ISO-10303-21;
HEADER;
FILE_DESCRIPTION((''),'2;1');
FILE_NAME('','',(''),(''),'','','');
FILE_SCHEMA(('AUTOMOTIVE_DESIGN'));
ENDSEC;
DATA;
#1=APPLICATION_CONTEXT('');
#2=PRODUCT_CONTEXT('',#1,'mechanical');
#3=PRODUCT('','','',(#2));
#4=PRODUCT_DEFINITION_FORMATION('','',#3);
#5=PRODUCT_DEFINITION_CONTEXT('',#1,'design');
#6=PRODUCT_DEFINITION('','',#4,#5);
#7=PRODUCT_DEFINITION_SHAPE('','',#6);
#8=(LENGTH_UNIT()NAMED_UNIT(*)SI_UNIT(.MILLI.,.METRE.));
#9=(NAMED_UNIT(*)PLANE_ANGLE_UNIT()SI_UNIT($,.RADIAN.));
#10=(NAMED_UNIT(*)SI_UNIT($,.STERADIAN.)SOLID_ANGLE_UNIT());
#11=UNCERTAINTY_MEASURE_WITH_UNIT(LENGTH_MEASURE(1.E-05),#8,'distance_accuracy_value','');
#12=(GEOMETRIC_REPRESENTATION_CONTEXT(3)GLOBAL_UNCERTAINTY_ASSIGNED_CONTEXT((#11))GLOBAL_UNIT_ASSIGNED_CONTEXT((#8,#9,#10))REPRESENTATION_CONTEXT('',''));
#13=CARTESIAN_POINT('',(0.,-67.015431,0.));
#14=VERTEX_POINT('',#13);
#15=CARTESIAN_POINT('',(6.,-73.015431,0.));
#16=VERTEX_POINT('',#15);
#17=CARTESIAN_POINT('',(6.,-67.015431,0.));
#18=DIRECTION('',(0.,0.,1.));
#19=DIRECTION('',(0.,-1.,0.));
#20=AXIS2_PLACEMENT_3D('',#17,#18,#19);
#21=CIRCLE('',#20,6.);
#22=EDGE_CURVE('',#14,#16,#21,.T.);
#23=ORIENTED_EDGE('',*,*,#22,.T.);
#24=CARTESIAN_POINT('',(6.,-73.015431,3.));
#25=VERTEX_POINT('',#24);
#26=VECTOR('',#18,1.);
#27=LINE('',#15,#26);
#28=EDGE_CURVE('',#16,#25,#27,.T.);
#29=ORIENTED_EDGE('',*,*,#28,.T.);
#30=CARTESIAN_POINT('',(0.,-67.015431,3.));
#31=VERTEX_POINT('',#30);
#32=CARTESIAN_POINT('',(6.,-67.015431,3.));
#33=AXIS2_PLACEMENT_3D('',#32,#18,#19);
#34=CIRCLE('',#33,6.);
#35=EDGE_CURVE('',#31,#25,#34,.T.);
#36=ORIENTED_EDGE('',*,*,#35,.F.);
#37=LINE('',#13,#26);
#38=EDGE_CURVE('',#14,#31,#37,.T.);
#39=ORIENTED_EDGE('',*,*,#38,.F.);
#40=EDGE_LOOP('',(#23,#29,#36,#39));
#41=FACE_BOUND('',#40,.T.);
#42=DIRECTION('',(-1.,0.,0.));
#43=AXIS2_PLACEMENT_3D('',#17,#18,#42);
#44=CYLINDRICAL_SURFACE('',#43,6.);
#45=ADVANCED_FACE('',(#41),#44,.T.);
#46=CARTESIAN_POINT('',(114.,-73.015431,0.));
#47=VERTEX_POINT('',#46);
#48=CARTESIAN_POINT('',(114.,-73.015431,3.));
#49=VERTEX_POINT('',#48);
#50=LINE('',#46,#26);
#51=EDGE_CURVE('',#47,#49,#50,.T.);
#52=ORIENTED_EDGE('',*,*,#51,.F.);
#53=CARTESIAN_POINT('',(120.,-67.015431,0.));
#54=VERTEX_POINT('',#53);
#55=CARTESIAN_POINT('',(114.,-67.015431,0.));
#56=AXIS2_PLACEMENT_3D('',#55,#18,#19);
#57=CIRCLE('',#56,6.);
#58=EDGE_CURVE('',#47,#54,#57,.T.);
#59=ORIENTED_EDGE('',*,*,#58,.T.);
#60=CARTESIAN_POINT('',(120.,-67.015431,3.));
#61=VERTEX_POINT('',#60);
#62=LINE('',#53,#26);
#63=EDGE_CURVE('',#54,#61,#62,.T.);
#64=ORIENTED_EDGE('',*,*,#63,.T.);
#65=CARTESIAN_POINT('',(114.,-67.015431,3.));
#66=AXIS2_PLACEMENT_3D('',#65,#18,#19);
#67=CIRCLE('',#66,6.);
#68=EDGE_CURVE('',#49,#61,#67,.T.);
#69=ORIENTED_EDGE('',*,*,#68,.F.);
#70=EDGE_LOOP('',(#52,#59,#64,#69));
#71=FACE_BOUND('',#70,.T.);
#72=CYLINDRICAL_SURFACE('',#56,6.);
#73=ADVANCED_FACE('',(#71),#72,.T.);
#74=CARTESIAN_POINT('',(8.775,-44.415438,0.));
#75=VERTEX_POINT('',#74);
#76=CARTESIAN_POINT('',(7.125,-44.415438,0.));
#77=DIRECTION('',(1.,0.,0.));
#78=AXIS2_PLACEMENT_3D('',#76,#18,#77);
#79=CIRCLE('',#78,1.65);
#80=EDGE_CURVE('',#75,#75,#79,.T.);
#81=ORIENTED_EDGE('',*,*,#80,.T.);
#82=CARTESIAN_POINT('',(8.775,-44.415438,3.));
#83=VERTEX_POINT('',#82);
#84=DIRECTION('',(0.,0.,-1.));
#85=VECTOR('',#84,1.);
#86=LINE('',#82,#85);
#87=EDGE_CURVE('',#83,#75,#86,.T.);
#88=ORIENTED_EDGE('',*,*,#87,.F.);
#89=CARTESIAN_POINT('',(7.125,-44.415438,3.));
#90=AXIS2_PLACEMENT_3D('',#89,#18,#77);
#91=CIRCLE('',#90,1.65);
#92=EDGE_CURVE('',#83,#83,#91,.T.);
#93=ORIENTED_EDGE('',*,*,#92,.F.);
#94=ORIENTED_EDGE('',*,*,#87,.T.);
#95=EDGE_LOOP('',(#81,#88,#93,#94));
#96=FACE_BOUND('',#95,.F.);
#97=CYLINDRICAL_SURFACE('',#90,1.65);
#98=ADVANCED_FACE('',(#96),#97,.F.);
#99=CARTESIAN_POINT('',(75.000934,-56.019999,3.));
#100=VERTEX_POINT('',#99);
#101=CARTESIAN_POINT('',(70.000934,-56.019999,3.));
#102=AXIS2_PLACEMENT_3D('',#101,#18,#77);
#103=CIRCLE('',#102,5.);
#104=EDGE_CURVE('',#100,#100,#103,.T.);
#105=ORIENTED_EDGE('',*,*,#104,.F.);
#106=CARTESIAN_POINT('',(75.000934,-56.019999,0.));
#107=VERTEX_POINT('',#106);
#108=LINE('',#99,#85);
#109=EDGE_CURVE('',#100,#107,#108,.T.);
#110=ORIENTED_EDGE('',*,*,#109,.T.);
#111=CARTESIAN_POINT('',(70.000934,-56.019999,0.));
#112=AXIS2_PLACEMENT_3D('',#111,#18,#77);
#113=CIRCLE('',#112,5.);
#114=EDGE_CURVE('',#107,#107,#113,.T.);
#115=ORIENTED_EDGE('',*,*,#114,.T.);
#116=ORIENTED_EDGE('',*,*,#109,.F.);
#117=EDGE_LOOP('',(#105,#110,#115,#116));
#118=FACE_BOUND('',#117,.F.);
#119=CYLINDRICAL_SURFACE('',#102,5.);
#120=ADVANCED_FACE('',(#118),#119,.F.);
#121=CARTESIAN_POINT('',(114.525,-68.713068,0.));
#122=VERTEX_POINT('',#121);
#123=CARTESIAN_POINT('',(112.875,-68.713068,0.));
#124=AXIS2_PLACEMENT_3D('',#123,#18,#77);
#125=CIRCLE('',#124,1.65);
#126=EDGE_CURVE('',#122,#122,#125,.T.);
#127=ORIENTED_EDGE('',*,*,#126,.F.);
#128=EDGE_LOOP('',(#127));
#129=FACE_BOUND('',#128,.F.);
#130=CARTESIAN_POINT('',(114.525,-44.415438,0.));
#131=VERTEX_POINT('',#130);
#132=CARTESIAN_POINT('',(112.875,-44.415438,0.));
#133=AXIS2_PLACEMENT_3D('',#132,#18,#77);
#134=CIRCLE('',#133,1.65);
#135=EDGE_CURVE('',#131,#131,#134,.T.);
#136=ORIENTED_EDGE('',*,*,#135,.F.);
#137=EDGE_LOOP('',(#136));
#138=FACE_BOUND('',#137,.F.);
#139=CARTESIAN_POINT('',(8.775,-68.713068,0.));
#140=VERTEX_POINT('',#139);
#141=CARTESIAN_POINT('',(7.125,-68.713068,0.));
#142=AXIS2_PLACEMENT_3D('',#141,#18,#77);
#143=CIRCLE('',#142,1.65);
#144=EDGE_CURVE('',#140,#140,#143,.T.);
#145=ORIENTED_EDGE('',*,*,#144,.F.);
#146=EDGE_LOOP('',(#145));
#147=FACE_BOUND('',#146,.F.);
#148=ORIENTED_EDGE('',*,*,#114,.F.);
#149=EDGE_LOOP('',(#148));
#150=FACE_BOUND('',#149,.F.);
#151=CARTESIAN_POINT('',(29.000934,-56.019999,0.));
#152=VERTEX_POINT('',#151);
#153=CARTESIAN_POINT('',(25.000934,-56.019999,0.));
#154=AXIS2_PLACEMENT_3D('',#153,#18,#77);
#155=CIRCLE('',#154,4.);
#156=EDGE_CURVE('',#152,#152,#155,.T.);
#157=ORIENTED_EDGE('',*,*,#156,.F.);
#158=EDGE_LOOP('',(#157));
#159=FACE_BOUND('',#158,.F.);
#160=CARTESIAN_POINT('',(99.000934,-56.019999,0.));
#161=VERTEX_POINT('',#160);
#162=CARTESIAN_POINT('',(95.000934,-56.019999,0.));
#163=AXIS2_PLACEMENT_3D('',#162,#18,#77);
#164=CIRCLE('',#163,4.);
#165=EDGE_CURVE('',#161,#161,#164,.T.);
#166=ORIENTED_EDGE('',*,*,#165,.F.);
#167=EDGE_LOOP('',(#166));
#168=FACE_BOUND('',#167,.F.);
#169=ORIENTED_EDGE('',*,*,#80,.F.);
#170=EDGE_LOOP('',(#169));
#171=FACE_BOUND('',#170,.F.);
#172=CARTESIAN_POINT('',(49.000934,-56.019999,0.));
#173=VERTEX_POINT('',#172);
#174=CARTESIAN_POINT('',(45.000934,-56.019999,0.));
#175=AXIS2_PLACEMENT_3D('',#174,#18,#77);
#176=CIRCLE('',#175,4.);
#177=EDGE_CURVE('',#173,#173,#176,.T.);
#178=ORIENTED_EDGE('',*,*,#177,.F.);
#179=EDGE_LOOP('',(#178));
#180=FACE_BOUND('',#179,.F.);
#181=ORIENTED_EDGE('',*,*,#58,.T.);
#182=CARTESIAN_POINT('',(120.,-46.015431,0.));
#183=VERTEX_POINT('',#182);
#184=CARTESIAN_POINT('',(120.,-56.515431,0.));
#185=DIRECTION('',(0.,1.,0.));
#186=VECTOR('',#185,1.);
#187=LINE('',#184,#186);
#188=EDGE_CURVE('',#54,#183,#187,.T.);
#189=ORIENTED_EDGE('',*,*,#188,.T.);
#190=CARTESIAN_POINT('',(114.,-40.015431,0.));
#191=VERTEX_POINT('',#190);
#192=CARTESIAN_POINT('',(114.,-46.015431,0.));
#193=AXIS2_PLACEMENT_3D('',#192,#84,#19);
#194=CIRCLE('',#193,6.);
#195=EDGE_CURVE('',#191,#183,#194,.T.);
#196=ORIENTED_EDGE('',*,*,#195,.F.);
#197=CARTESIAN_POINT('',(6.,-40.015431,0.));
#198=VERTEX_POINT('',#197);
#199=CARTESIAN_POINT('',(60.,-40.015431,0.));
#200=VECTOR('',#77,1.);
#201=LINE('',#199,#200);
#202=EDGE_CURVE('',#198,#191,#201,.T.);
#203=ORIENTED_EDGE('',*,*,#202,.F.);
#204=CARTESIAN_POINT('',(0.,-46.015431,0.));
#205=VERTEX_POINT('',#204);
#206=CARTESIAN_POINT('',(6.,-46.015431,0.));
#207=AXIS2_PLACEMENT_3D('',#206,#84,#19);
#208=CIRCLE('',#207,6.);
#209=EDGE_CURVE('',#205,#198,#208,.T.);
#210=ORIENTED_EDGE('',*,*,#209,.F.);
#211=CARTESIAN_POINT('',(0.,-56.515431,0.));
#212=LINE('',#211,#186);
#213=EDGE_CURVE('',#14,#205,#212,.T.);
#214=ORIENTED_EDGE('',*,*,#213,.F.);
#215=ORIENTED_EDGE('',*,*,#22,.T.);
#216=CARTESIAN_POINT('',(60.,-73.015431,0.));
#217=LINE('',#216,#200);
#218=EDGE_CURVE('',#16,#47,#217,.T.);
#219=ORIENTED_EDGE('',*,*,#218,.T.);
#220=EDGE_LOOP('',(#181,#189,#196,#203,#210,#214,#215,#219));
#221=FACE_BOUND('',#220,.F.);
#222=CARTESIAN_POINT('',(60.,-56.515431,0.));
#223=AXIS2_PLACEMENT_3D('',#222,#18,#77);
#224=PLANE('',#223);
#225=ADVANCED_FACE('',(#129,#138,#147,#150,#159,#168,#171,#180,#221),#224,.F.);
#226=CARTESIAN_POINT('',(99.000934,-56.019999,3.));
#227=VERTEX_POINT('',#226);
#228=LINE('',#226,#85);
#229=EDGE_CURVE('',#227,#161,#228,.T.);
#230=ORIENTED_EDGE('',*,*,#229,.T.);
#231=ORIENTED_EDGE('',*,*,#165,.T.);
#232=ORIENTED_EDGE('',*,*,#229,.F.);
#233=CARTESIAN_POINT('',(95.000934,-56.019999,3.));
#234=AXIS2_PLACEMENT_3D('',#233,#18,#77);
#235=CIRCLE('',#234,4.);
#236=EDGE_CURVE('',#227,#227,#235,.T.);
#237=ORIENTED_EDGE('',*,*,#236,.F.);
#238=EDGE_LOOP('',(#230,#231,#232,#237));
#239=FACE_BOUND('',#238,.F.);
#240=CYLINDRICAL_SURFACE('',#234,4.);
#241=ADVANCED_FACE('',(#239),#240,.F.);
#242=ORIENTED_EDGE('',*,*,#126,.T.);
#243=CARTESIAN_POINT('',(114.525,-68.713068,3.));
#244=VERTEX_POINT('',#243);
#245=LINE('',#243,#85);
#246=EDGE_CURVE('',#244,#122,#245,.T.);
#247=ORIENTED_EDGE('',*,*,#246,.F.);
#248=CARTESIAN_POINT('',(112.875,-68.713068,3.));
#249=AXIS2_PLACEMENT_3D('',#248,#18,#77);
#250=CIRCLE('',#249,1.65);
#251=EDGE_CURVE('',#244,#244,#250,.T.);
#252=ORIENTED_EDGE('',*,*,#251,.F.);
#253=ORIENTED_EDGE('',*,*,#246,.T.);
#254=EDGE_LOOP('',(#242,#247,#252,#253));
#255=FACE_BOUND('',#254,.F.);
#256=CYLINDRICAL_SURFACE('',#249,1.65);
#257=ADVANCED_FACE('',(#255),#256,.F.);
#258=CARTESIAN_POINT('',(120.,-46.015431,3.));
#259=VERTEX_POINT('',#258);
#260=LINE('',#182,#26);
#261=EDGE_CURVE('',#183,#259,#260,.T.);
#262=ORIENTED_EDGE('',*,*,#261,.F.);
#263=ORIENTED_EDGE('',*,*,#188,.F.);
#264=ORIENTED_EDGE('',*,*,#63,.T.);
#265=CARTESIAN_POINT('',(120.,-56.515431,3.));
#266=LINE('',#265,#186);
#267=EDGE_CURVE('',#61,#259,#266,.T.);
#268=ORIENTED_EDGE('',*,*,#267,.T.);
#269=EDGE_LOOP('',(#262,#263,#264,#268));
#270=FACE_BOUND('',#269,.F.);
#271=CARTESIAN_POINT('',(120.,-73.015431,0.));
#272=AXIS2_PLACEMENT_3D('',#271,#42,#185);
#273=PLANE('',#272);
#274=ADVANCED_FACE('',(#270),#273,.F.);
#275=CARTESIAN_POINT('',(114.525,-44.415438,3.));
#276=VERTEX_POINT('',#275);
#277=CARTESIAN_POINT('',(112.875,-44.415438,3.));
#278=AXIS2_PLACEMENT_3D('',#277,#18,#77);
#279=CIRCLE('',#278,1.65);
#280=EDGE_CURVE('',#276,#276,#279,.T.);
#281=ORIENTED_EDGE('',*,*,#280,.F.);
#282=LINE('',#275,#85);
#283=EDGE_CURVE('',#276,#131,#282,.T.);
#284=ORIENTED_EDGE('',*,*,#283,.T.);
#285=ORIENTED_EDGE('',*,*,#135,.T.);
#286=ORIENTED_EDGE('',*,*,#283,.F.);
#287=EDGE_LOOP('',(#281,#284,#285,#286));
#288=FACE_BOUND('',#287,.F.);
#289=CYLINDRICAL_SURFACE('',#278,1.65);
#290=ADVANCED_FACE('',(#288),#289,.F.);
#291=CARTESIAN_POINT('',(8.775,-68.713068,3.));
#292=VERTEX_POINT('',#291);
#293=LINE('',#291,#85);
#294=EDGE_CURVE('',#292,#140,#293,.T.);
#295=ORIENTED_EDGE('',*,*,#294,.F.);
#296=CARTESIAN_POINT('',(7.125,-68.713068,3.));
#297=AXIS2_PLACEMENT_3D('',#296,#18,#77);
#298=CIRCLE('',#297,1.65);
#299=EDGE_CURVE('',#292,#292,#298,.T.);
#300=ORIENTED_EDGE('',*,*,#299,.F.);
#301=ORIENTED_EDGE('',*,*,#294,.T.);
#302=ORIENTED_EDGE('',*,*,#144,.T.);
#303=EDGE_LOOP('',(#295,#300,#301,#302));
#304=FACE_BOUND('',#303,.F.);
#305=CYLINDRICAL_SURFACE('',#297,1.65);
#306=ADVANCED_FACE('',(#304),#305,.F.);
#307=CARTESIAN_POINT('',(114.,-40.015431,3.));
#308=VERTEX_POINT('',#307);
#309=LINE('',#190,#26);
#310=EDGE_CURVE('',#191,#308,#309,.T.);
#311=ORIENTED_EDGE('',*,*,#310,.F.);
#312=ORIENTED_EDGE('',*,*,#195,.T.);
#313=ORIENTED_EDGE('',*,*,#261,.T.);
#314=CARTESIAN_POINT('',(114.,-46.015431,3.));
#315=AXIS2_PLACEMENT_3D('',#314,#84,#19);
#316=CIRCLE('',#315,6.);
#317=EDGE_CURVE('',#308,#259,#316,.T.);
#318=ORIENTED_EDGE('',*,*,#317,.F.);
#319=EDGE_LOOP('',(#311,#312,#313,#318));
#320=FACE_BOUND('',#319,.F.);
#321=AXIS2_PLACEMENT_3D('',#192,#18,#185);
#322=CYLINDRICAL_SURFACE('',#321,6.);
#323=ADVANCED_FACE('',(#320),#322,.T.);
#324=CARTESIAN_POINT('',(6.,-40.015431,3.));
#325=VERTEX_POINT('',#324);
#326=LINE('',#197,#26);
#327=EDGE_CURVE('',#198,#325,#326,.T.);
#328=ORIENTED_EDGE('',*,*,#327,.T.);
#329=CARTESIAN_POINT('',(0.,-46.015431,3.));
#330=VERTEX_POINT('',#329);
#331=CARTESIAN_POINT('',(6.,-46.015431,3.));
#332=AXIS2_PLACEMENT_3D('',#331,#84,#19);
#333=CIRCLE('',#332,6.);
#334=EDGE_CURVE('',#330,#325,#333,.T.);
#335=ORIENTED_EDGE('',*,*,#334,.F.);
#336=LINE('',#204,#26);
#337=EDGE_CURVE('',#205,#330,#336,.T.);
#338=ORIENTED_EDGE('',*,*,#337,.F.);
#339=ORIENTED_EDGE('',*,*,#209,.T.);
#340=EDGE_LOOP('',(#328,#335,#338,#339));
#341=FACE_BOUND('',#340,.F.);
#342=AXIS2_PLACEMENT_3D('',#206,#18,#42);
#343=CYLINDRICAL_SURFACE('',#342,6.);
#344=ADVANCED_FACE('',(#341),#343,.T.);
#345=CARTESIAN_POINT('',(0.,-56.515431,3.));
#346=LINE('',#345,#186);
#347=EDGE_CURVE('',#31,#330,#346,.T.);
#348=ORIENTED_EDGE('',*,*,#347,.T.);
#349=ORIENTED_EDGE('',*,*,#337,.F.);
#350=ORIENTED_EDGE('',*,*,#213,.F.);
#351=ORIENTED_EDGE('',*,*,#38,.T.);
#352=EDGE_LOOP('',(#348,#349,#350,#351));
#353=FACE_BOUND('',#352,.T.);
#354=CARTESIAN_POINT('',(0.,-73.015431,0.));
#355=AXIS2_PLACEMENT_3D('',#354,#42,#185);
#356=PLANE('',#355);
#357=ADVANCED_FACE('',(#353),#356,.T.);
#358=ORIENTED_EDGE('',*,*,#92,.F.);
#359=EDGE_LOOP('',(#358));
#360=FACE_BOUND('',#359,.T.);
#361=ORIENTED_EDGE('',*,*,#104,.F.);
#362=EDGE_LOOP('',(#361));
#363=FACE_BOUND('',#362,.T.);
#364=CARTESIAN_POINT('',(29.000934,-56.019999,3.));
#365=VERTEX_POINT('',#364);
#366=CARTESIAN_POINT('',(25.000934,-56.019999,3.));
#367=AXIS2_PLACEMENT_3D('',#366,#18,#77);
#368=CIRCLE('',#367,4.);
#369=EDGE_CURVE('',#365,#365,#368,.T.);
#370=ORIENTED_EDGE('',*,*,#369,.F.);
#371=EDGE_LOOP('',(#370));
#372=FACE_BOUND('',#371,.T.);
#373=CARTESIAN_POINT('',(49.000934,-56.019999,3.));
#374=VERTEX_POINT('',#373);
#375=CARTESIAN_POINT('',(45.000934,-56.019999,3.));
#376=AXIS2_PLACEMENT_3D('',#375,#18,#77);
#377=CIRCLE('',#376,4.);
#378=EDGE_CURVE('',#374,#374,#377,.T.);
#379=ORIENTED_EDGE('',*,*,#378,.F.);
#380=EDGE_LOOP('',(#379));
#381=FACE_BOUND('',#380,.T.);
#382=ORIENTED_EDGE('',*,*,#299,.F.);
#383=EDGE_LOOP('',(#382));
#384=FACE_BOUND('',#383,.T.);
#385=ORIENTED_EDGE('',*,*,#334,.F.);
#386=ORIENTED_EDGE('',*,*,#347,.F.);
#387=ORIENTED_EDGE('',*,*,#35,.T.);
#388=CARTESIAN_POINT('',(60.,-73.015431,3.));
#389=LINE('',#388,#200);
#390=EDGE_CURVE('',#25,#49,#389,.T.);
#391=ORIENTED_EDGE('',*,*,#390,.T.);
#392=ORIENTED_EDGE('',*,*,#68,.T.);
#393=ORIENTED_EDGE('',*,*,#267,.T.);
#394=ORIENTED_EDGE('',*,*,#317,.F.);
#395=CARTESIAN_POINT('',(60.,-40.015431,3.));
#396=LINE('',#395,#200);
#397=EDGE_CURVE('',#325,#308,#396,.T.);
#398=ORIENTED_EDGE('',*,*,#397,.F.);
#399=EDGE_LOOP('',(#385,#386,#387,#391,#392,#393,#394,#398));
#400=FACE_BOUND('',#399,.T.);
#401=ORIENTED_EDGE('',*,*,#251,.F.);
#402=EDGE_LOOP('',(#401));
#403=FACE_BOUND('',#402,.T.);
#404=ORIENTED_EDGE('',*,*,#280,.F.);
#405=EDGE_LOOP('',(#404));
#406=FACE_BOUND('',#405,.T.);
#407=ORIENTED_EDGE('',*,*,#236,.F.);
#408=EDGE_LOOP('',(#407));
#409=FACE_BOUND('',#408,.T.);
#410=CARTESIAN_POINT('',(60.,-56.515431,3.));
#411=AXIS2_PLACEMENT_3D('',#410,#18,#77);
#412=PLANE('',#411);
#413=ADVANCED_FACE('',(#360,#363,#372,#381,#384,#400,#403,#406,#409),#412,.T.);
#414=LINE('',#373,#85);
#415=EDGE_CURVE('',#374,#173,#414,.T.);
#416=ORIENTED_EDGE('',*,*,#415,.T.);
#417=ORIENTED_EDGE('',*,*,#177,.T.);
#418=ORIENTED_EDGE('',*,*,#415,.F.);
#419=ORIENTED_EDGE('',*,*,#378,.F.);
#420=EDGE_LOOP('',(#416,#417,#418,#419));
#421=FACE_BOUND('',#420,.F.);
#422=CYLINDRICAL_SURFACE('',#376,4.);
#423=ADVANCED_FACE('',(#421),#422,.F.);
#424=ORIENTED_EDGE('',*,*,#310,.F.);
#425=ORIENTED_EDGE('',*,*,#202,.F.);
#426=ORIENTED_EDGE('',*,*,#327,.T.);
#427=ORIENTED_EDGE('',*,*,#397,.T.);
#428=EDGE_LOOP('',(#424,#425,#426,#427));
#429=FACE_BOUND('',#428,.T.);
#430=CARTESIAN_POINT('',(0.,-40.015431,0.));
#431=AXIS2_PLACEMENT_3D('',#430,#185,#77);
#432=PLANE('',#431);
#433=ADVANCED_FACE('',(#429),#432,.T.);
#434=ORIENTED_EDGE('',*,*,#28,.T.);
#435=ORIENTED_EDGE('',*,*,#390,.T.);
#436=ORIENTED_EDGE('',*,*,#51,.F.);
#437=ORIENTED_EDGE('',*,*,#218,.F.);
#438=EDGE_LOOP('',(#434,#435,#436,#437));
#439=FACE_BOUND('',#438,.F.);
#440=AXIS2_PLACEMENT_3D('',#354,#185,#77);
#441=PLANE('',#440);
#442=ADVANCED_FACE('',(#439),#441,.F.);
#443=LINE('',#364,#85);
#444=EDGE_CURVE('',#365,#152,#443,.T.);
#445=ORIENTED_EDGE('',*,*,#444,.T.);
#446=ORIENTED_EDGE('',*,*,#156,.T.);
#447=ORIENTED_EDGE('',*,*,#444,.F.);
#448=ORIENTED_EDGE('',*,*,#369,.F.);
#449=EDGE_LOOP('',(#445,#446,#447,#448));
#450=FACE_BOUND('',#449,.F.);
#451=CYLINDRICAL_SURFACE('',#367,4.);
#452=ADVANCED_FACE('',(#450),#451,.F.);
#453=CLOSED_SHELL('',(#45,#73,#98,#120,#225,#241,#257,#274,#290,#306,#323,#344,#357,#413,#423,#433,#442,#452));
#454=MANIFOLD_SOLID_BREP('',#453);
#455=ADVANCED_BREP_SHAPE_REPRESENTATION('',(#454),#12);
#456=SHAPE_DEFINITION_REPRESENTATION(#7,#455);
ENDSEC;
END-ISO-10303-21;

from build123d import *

# Parameters (mm, degrees)
SKETCH_W        = 120
SKETCH_H        = 33
PAD_DEPTH       = 3
SKETCH195_R     = 4
SKETCH195_R_2   = 5
POCKET_DEPTH    = 5
SKETCH196_R     = 1.65
POCKET137_DEPTH = 5
FILLET_R        = 6


with BuildPart() as part:
    # Sketch → Pad (new body)
    with BuildSketch(Plane.XY):
        with Locations((60, -56.515431)):
            Rectangle(SKETCH_W, SKETCH_H)
    extrude(amount=PAD_DEPTH)

    # Sketch195 (on Face6 of Pad) → Pocket (cut)
    with BuildSketch(Plane.XY.offset(3)):
        with Locations((25.000934, -56.019999)):
            Circle(SKETCH195_R)
        with Locations((45.000934, -56.019999)):
            Circle(SKETCH195_R)
        with Locations((70.000934, -56.019999)):
            Circle(SKETCH195_R_2)
        with Locations((95.000934, -56.019999)):
            Circle(SKETCH195_R)
    extrude(amount=-POCKET_DEPTH, mode=Mode.SUBTRACT)

    # Sketch196 (on Face5 of Pocket) → Pocket137 (cut)
    with BuildSketch(Plane.XY.offset(3)):
        with Locations((7.125, -44.415438)):
            Circle(SKETCH196_R)
        with Locations((112.875, -68.713068)):
            Circle(SKETCH196_R)
        with Locations((112.875, -44.415438)):
            Circle(SKETCH196_R)
        with Locations((7.125, -68.713068)):
            Circle(SKETCH196_R)
    extrude(amount=-POCKET137_DEPTH, mode=Mode.SUBTRACT)

    # Fillet
    fillet_edges = [part.edges().sort_by_distance(p)[0] for p in [
        (0, -73.015431, 1.5),
        (0, -40.015431, 1.5),
        (120, -73.015431, 1.5),
        (120, -40.015431, 1.5),
    ]]
    fillet(fillet_edges, radius=FILLET_R)


solid = part.part
